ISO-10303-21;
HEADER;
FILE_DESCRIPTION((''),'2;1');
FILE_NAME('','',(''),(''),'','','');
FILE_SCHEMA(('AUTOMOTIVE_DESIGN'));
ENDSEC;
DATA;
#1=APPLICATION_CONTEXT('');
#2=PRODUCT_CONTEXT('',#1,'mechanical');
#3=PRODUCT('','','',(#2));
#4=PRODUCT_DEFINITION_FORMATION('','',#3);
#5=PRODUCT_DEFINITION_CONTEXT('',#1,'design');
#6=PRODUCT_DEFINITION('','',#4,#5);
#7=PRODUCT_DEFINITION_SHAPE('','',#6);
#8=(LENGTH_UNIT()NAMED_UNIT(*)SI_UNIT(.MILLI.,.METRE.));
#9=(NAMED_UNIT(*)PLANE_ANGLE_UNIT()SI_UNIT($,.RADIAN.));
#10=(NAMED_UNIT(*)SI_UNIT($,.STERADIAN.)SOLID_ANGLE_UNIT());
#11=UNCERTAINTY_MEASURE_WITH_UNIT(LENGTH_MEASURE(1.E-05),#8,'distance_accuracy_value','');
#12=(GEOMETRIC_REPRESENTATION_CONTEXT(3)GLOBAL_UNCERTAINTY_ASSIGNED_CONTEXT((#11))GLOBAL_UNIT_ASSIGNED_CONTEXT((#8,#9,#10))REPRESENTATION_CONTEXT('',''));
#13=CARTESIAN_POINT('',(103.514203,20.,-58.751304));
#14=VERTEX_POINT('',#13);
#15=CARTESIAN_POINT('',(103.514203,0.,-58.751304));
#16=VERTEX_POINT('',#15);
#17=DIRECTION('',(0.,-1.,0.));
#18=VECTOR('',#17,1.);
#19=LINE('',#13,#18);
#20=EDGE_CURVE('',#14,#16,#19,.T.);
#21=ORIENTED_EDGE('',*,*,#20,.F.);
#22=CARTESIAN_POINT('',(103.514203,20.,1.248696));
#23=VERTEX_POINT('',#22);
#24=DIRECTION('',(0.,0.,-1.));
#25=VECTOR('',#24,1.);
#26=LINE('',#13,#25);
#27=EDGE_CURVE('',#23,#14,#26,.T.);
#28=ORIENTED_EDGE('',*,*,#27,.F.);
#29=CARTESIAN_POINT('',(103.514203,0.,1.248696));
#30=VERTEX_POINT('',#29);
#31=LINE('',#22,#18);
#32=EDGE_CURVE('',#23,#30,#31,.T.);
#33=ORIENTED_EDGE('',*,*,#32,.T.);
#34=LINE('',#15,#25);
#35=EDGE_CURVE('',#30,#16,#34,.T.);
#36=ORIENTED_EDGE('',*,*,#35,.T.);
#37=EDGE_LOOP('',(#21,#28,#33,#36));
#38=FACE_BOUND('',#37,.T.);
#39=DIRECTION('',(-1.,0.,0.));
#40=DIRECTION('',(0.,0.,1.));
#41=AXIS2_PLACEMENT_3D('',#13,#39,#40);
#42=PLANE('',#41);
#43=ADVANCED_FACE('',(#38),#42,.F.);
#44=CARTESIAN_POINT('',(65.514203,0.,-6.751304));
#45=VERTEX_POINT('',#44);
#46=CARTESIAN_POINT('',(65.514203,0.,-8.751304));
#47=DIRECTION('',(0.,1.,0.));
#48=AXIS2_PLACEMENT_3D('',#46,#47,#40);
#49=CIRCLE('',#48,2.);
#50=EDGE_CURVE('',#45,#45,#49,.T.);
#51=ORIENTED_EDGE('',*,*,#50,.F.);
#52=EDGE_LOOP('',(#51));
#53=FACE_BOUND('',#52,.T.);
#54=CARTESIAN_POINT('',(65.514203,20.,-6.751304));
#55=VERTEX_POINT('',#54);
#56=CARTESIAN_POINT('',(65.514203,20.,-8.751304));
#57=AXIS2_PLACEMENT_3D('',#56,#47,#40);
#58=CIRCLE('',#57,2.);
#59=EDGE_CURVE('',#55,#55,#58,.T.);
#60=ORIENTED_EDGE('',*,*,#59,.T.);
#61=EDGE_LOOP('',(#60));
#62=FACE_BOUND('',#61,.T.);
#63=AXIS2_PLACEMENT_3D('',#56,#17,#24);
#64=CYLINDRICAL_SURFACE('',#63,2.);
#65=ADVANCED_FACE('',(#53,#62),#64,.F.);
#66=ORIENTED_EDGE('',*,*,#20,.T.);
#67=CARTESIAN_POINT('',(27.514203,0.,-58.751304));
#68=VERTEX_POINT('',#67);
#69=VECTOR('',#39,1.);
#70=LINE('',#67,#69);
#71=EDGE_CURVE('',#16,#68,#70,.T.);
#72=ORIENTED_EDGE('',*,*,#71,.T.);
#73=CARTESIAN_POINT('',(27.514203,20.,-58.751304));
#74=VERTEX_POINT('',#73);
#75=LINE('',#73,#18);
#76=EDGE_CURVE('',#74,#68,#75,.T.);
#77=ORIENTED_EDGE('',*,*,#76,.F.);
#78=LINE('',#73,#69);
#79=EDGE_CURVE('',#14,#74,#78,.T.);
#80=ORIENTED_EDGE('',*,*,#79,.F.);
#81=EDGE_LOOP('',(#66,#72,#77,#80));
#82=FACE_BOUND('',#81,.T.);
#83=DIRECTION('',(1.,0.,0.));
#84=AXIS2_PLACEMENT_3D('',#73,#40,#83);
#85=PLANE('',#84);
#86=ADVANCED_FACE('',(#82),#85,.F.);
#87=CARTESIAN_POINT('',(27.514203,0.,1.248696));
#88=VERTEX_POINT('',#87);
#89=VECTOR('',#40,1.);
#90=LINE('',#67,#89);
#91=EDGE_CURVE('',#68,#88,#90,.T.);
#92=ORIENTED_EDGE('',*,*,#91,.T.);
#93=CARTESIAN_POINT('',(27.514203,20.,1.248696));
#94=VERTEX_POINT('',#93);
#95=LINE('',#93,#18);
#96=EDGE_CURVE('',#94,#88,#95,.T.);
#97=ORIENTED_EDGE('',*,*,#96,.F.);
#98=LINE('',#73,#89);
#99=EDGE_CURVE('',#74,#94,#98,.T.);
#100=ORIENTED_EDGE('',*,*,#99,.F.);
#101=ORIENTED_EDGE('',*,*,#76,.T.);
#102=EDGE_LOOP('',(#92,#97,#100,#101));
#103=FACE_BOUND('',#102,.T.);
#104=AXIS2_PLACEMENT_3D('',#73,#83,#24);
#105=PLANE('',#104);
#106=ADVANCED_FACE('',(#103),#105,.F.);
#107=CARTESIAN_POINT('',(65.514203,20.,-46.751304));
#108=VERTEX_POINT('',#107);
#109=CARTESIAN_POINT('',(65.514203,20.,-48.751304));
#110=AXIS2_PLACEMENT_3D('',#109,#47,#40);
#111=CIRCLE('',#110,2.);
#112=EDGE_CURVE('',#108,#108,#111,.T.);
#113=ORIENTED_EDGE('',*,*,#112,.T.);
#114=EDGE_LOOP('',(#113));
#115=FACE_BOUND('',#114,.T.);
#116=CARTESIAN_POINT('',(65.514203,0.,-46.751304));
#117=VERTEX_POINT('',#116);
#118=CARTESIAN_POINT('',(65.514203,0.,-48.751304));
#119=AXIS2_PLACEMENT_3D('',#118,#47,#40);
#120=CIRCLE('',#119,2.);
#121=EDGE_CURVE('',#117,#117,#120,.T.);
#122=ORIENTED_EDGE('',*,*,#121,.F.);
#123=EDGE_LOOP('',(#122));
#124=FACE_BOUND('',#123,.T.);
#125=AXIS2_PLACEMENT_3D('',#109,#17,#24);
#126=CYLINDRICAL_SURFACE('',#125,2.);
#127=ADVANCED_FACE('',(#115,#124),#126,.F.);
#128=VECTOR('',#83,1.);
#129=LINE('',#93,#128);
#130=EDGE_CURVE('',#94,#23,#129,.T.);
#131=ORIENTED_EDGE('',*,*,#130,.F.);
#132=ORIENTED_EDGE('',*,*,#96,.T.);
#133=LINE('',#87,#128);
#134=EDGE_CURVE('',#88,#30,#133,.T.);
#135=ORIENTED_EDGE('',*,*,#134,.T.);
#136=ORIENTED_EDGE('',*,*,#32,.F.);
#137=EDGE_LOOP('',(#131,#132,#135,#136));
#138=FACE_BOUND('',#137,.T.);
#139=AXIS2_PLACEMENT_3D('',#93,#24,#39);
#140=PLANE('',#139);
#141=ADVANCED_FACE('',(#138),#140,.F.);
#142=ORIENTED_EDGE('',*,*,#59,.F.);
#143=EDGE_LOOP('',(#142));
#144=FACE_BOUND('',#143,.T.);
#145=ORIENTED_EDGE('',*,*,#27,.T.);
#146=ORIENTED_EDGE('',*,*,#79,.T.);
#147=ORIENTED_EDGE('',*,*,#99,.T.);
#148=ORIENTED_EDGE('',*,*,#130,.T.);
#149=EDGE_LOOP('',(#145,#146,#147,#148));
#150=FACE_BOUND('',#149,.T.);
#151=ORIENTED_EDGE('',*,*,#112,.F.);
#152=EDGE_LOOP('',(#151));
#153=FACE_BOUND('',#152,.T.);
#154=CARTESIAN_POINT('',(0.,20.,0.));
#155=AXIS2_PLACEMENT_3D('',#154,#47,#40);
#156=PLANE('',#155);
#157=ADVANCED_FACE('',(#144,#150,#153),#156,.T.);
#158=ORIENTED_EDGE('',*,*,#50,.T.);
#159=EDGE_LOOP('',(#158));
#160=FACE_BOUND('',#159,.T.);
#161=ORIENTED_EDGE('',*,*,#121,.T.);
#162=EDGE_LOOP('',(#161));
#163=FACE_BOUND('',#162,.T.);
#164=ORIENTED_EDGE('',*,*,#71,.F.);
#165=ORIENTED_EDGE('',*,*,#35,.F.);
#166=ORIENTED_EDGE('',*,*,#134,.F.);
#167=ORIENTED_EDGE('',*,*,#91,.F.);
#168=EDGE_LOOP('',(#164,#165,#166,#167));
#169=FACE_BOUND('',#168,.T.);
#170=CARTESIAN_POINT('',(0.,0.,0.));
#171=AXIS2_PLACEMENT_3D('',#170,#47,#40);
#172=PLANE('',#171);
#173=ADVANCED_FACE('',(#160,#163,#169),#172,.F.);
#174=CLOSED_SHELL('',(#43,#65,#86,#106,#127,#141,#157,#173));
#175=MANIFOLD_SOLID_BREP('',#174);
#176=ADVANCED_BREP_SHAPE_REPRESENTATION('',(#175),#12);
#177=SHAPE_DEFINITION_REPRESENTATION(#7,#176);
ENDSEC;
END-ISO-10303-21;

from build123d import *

# Parameters (mm, degrees)
SKETCH1_W           = 76
SKETCH1_H           = 60
SKETCH1_R           = 2
BOSS_EXTRUDE1_DEPTH = 20


with BuildPart() as part:
    # Sketch1 → Boss-Extrude1 (new body)
    with BuildSketch(Plane(origin=(0, 0, 0), x_dir=(1, 0, 0), z_dir=(0, 1, 0))):
        with Locations((65.514202899, 28.751304348)):
            Rectangle(SKETCH1_W, SKETCH1_H)
        with Locations(Location((65.514202899, 8.751304348, 0), (0, 0, 270))):
            Circle(SKETCH1_R, mode=Mode.SUBTRACT)
        with Locations(Location((65.514202899, 48.751304348, 0), (0, 0, 270))):
            Circle(SKETCH1_R, mode=Mode.SUBTRACT)
    extrude(amount=BOSS_EXTRUDE1_DEPTH)


solid = part.part
